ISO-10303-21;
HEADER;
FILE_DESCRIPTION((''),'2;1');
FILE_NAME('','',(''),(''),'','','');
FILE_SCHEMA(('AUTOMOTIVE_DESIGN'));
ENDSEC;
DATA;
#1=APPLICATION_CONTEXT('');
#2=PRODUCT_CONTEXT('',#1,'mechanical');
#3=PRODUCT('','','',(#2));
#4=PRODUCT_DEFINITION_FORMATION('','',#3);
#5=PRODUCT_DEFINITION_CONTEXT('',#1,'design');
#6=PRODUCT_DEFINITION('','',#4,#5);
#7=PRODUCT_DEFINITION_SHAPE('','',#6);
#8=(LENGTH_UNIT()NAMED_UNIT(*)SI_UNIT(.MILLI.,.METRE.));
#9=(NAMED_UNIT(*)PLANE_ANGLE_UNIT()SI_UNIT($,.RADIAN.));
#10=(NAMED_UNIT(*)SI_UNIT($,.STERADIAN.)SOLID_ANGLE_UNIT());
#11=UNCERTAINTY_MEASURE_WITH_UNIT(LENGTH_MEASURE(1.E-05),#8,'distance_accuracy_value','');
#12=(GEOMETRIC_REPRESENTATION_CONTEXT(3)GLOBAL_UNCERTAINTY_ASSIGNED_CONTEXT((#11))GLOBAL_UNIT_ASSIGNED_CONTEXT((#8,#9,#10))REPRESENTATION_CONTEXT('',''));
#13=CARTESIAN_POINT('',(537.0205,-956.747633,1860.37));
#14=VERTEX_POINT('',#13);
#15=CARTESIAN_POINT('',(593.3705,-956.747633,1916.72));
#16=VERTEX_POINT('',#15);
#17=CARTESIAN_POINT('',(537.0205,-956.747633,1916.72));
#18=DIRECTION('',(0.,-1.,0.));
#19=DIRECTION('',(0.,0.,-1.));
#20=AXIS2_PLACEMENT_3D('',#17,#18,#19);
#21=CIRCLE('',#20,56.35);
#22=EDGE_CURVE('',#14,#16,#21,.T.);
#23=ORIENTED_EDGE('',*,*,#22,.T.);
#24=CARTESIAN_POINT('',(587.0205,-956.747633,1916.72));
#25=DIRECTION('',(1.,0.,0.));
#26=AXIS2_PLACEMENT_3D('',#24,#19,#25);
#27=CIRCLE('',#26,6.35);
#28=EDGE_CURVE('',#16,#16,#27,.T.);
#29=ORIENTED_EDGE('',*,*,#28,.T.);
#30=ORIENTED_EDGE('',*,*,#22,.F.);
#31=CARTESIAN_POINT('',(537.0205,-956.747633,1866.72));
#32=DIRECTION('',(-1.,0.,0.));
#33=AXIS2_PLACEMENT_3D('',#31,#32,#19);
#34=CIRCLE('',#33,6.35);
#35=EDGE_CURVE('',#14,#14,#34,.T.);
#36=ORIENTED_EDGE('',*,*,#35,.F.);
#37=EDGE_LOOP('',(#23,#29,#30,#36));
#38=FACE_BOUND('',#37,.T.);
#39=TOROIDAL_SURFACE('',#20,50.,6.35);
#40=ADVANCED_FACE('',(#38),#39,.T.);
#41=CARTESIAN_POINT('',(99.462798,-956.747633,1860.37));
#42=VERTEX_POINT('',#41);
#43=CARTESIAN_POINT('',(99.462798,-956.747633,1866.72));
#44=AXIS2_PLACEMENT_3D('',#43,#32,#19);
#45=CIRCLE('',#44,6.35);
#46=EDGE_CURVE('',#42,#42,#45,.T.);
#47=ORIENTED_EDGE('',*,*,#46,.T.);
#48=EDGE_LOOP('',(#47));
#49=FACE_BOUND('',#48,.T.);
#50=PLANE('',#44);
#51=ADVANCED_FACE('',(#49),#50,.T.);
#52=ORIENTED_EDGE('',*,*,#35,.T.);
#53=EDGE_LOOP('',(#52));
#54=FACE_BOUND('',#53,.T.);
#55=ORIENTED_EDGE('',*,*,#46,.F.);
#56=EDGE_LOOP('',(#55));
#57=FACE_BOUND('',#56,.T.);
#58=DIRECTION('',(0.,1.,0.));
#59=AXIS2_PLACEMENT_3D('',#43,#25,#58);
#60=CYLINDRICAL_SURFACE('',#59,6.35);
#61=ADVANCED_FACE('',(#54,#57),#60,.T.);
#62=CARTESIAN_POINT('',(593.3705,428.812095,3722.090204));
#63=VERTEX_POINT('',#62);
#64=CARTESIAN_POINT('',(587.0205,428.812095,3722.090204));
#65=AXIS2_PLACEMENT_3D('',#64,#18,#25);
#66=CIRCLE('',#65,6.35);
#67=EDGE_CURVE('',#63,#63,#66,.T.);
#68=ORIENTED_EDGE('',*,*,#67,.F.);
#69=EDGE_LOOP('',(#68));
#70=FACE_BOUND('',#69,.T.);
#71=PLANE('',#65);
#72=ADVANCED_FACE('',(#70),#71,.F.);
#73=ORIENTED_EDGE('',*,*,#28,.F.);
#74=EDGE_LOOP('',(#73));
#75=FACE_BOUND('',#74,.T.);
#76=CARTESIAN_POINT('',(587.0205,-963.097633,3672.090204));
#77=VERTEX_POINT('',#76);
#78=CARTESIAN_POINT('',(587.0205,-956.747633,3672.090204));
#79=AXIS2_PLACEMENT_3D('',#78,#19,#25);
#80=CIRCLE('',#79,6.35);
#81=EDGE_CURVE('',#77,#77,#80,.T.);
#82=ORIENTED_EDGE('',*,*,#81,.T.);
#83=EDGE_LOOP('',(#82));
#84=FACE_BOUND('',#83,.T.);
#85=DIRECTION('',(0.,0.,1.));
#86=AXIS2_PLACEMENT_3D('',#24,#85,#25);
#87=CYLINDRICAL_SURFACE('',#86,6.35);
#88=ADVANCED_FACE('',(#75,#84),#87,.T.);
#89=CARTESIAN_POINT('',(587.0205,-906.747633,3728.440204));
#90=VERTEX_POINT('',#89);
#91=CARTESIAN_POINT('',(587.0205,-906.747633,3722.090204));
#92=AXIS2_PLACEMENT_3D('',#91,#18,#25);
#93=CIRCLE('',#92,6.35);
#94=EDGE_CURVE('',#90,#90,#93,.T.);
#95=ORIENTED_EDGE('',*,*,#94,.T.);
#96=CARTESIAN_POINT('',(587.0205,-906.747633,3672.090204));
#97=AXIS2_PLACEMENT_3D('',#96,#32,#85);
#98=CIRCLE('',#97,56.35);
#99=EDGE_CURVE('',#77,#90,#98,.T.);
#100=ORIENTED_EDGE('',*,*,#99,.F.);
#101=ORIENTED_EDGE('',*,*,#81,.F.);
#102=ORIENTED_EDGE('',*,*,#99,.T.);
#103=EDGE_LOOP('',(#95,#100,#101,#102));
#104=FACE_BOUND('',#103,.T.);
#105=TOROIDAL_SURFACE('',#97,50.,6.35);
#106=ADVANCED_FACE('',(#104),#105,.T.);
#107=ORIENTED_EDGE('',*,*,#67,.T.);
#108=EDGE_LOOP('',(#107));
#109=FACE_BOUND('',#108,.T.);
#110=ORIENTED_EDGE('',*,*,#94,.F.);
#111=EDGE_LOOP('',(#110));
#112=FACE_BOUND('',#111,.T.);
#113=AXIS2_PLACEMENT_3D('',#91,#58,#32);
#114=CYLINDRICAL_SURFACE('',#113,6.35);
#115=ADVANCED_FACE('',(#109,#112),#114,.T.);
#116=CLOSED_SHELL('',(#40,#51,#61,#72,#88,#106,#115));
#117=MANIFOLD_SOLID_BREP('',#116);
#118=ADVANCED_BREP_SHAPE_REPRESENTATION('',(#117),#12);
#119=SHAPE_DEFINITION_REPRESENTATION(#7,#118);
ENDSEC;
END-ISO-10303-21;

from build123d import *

# Parameters (mm, degrees)
BARRER3_PROFILE_R = 6.35


with BuildPart() as part:
    # Barrer3: sweep along a curve in space
    with BuildLine() as barrer3_path:
        Line((99.462798079, -956.74763274, 1866.72), (537.020499739, -956.74763274, 1866.72))
        ThreePointArc((537.020499739, -956.74763274, 1866.72), (572.375838799, -956.74763274, 1881.364660941), (587.020499739, -956.74763274, 1916.72))
        Line((587.020499739, -956.74763274, 1916.72), (587.020499739, -956.74763274, 3672.090203728))
        ThreePointArc((587.020499739, -956.74763274, 3672.090203728), (587.020499739, -942.102971799, 3707.445542787), (587.020499739, -906.74763274, 3722.090203728))
        Line((587.020499739, -906.74763274, 3722.090203728), (587.020499739, 428.812094771, 3722.090203728))
    # Barrer3 profile (on start of the path) → Barrer3 (sweep)
    with BuildSketch(Plane(origin=(99.462798079, -956.74763274, 1866.72), x_dir=(0, 1, 0), z_dir=(1, 0, 0))):
        Circle(BARRER3_PROFILE_R)
    sweep(path=barrer3_path.line)


solid = part.part
